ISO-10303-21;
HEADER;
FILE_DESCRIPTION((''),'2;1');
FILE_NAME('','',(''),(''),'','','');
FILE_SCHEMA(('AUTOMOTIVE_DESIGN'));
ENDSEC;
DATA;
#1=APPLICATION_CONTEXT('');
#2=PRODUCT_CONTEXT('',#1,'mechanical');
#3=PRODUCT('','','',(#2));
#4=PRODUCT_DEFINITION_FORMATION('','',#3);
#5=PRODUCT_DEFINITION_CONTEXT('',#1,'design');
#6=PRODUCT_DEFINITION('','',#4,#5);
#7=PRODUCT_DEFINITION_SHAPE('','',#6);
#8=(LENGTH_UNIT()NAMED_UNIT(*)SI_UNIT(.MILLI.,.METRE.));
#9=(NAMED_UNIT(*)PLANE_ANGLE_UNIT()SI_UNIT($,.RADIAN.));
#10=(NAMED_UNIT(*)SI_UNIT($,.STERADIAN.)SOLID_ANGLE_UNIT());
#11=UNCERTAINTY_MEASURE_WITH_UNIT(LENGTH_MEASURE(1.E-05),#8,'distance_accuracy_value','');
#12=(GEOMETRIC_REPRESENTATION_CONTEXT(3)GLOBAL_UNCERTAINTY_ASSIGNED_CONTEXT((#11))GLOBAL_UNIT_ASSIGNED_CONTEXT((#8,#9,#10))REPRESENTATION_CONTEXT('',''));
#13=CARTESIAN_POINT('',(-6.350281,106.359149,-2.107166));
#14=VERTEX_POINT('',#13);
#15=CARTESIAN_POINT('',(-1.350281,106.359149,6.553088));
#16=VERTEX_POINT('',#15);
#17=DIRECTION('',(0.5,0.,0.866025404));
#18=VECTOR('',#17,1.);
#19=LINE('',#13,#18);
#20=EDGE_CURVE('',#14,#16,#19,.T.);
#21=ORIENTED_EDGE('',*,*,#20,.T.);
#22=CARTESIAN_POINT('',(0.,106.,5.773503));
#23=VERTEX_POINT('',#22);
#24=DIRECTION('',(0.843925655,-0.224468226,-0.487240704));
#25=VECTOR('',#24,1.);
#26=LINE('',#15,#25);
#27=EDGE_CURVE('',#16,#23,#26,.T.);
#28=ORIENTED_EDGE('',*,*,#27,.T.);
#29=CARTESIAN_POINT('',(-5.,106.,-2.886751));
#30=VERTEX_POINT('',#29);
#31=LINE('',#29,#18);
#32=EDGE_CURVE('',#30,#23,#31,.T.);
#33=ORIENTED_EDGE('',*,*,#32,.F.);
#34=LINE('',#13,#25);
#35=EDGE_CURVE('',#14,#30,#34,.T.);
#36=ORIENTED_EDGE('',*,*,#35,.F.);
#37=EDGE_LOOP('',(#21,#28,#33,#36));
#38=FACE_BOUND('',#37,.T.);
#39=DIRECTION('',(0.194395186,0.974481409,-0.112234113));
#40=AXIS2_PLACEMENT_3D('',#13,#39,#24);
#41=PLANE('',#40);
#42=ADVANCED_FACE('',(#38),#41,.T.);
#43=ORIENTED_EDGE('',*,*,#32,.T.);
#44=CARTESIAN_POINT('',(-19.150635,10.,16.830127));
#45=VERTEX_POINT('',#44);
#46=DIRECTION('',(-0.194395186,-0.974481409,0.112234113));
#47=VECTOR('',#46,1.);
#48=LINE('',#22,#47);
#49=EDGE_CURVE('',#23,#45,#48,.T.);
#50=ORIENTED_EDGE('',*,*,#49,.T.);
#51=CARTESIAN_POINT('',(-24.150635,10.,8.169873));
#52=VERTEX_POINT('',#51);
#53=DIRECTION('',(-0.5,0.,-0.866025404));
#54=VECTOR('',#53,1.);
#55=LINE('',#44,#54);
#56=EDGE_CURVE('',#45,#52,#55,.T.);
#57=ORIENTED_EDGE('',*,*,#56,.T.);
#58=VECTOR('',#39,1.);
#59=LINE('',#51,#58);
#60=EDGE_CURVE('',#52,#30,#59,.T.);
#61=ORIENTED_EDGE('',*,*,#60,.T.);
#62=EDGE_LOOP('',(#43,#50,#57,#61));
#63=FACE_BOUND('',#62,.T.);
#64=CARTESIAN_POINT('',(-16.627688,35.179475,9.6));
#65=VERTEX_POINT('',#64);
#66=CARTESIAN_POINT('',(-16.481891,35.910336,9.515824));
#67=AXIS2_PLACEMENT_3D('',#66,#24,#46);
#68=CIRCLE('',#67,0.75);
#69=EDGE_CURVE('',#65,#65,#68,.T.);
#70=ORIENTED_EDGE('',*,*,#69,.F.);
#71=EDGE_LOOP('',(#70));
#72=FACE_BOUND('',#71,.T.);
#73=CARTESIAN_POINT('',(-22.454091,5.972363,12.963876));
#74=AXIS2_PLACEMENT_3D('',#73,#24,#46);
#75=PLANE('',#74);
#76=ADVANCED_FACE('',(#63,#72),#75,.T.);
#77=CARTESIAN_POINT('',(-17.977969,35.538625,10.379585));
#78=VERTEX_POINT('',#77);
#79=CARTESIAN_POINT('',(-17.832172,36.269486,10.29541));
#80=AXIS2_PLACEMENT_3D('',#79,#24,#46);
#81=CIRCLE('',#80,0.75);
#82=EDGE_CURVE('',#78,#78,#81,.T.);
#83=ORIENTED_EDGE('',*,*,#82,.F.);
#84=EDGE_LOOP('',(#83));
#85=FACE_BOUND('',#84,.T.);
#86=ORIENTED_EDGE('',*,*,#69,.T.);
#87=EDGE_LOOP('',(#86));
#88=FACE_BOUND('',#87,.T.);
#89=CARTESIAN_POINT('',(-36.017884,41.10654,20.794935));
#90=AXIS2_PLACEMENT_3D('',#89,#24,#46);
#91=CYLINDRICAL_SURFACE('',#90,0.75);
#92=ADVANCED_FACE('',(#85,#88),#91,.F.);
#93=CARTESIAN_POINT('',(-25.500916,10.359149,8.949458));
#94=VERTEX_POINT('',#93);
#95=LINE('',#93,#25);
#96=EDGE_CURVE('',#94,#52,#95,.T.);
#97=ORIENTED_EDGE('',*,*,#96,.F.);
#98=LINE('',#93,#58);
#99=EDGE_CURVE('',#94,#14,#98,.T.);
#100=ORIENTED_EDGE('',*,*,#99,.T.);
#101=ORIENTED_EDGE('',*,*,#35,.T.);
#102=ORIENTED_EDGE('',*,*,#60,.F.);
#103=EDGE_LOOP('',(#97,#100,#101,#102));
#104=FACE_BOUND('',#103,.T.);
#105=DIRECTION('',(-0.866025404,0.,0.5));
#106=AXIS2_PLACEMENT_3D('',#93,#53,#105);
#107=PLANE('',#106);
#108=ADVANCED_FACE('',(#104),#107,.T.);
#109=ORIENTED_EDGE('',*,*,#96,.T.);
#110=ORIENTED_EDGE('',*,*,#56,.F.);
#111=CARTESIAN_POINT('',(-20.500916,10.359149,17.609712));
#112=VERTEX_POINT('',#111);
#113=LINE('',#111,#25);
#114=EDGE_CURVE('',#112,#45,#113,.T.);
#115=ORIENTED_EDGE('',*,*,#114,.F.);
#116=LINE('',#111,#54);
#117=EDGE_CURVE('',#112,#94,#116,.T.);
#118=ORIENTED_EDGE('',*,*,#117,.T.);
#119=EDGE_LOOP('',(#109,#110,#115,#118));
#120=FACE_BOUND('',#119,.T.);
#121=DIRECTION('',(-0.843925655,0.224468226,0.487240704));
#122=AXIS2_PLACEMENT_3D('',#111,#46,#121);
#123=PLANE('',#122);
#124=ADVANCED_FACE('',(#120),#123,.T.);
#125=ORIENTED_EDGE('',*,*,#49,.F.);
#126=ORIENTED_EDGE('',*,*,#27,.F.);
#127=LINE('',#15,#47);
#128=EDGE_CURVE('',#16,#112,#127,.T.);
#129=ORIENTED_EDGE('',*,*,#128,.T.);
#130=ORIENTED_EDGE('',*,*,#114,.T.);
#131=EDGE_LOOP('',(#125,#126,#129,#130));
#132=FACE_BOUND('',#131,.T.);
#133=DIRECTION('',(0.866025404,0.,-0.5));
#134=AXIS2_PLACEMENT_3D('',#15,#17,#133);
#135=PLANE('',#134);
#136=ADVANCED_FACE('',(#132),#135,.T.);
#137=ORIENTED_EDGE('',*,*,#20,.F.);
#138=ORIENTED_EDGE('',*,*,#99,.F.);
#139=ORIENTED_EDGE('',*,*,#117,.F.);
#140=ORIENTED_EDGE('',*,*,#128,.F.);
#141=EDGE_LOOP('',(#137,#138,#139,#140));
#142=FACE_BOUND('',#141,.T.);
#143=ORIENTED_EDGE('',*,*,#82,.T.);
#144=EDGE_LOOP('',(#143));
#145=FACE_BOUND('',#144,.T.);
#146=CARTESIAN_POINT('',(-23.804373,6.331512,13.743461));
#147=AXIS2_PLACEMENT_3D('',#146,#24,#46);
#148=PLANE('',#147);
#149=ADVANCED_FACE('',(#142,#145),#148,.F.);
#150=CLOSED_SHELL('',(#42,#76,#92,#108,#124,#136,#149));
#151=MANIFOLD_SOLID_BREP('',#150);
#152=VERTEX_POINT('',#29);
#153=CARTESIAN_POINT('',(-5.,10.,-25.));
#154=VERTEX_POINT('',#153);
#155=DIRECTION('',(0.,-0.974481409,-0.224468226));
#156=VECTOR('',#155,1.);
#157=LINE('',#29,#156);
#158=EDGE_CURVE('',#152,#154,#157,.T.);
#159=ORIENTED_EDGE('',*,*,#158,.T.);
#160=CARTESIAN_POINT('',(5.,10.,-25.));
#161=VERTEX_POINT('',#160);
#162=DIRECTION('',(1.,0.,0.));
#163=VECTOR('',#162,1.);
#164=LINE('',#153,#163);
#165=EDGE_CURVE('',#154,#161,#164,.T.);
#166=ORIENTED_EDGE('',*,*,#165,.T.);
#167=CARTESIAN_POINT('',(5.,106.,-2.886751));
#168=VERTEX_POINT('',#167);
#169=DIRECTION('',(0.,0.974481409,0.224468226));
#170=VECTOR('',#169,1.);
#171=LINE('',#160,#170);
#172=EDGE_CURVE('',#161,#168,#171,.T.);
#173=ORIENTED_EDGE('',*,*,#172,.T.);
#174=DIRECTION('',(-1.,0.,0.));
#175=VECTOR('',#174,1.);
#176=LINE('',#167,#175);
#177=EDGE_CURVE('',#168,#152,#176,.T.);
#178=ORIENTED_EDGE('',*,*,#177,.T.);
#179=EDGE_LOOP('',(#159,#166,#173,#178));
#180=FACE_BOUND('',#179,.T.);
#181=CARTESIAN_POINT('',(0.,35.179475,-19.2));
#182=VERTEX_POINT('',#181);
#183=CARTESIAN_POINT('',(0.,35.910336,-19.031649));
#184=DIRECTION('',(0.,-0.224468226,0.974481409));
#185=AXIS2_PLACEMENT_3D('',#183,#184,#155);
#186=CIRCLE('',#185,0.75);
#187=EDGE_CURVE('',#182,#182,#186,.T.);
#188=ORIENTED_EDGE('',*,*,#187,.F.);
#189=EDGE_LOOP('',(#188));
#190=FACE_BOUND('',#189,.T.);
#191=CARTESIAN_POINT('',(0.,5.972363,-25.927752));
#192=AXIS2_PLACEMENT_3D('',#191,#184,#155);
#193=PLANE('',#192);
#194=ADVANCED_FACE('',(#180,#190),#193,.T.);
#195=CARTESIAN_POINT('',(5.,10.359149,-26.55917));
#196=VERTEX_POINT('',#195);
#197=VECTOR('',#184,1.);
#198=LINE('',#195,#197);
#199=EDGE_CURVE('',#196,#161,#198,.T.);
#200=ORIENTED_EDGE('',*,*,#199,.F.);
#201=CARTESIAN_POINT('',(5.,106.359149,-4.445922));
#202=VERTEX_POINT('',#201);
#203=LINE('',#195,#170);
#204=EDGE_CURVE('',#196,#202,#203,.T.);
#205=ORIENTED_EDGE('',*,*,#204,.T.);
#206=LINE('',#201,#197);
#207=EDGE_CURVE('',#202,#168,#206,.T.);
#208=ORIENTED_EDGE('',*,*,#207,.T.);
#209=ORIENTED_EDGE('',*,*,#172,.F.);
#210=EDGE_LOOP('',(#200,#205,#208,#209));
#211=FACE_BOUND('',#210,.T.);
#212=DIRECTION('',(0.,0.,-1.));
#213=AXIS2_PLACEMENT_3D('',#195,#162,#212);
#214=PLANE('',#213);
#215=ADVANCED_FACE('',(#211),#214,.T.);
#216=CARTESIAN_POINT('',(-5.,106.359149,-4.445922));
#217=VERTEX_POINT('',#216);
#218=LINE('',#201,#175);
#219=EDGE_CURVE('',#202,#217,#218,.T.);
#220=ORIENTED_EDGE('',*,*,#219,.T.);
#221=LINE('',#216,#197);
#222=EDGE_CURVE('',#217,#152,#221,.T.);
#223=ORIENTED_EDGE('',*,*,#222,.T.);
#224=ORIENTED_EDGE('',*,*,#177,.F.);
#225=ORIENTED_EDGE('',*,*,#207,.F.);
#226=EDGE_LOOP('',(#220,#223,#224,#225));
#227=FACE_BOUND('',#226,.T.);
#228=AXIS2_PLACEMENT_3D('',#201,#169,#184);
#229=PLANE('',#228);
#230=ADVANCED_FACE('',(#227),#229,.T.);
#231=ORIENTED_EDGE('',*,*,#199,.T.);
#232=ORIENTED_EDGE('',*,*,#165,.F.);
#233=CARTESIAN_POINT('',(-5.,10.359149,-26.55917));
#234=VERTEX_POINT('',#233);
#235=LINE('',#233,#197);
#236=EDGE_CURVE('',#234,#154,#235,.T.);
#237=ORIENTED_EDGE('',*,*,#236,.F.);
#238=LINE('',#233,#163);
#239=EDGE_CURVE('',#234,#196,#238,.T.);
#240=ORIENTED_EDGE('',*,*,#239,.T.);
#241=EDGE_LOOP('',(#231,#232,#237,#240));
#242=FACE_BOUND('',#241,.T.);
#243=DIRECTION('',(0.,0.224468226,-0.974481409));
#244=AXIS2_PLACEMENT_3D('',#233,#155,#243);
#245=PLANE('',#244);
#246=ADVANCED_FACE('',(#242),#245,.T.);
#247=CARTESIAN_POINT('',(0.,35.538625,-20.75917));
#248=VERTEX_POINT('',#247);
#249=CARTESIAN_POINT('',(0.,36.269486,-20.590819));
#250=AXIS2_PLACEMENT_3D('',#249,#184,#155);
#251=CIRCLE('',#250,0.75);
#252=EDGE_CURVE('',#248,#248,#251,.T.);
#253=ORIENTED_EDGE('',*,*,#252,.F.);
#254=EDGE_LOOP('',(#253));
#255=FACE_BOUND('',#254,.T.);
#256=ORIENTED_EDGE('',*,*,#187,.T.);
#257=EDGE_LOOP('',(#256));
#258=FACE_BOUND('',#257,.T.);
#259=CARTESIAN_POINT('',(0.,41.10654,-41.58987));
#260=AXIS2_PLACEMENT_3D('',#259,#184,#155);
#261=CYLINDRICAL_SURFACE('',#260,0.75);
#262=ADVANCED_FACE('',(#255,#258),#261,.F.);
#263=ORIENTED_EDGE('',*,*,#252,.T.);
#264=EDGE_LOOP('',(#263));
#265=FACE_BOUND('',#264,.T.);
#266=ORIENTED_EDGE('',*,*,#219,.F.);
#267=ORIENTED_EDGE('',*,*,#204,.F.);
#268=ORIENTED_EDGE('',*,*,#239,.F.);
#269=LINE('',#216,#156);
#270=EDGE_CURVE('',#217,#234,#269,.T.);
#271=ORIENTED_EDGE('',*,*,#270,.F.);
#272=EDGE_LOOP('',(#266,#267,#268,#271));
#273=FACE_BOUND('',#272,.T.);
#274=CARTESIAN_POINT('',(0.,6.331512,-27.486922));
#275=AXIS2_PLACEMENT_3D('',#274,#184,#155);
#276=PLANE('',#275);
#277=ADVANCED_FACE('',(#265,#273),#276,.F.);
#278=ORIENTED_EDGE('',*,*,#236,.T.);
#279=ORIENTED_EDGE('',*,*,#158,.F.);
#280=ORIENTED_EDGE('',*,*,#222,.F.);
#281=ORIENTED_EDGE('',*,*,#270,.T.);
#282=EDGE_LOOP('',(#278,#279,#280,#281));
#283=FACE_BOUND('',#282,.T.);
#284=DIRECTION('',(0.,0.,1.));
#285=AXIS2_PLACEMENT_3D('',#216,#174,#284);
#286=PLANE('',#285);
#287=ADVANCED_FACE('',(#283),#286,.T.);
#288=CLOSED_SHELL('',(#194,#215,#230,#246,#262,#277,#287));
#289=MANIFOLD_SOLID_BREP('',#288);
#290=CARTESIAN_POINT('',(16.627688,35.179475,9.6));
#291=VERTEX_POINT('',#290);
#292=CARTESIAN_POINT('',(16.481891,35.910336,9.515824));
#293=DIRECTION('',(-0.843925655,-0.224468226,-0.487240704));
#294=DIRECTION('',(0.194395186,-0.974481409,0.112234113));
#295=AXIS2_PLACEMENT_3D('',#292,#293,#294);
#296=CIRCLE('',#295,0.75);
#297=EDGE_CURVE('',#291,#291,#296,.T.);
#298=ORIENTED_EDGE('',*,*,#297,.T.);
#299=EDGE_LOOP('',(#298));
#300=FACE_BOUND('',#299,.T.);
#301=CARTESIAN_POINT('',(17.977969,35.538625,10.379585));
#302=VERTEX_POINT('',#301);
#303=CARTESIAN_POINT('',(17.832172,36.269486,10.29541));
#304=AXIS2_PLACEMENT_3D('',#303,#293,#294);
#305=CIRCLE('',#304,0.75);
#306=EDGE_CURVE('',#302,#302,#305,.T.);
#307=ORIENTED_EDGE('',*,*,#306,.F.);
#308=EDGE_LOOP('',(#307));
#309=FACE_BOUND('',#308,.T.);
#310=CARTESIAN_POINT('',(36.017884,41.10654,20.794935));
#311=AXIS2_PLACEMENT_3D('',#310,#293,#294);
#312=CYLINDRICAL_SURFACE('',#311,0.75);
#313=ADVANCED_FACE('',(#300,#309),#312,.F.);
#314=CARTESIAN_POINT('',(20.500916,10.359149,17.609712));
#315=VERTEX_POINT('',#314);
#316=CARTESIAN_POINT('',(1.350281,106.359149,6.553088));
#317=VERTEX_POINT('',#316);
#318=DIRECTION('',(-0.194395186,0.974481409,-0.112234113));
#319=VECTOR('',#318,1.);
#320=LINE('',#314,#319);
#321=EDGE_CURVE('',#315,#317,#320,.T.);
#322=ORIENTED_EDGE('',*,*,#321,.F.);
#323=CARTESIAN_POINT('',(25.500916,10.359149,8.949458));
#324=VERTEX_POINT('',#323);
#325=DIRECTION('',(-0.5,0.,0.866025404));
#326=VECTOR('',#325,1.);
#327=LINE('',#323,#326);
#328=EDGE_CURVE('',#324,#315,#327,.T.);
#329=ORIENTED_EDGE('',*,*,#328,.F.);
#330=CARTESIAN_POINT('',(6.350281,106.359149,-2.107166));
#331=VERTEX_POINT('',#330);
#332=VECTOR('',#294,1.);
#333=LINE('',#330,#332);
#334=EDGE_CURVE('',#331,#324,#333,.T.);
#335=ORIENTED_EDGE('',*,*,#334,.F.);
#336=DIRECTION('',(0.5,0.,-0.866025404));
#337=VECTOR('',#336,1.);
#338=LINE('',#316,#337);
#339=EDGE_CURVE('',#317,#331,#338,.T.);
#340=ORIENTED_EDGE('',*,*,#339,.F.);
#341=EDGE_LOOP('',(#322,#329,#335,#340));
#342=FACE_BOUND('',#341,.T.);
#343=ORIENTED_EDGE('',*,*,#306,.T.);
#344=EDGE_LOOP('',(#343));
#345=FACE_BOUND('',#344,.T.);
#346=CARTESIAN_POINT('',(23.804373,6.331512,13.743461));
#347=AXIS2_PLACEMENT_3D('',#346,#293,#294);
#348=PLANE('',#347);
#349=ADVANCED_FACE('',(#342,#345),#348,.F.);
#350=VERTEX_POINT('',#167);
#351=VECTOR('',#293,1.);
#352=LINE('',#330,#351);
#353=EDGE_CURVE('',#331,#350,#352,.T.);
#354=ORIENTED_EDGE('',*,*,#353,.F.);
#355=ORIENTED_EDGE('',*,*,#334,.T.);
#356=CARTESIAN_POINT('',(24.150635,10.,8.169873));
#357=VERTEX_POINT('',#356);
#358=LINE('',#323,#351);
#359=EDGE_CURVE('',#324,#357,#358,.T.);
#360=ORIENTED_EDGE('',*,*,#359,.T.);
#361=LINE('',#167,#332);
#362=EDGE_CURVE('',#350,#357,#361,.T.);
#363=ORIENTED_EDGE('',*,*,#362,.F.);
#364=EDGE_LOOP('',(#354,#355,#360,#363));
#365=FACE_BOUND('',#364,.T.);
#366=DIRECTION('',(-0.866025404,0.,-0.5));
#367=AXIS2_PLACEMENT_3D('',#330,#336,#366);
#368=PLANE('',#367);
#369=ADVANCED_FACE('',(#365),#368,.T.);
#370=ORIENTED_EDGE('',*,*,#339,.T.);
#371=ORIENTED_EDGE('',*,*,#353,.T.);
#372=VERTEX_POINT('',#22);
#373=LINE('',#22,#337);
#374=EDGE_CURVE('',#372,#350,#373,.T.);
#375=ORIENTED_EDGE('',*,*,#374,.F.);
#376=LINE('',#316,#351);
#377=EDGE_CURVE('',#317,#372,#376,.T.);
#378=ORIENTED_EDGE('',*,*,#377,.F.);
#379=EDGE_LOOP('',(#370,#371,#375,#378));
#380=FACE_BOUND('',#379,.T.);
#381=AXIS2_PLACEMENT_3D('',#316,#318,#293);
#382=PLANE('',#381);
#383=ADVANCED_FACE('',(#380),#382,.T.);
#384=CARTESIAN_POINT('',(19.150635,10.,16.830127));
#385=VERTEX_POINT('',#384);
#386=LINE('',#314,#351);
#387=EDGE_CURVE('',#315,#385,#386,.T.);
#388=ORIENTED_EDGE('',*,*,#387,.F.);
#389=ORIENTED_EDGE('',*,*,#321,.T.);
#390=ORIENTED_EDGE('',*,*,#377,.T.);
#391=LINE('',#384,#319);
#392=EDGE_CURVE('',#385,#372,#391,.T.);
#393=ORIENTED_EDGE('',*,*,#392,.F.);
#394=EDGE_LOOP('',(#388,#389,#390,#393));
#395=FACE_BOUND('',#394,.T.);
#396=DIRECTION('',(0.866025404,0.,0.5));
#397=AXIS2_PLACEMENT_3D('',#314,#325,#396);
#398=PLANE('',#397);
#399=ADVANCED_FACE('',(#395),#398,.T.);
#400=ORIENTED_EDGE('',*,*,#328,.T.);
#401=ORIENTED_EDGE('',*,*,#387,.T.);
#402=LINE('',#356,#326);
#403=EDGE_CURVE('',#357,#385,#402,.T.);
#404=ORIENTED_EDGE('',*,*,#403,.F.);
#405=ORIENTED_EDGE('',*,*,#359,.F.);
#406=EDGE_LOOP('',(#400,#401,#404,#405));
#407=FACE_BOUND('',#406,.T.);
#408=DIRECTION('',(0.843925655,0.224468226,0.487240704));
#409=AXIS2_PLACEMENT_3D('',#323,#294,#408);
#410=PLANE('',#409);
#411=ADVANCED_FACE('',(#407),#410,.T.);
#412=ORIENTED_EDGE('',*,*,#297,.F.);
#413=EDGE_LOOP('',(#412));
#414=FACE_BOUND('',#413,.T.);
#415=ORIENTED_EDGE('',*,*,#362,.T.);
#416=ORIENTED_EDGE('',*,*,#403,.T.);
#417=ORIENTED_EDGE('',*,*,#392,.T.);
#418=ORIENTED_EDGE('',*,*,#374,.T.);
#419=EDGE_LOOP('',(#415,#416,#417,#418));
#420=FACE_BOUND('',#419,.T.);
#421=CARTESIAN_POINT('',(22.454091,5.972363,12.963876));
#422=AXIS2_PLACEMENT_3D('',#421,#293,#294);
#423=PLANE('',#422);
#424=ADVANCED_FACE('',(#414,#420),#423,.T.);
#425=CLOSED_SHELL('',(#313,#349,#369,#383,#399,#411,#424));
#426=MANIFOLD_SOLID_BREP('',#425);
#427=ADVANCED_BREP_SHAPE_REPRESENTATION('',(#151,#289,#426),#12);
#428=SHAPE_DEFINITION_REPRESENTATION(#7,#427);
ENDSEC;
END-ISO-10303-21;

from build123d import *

# Parameters (mm, degrees)
SKETCH_4_W               = 10
SKETCH_4_H               = 98.513936913
EXTRUDE_1_DEPTH          = 1.6
SKETCH_5_R               = 0.75
CUT_EXTRUDE_1_DEPTH      = 104.118352348
PATTERN_CIRCULAR_3_COUNT = 3


with BuildPart() as part:
    # 草图4 → 凸台-拉伸1 (new body)
    with BuildSketch(Plane(origin=(0, 5.97236267, -25.927751518), x_dir=(1, 0, 0), z_dir=(0, -0.22446822598970886, 0.9744814085045609))):
        with Locations((0, 53.390076892)):
            Rectangle(SKETCH_4_W, SKETCH_4_H)
    extrude(amount=-EXTRUDE_1_DEPTH)

    # 草图5 → 切除-拉伸1 (cut, through all)
    with BuildSketch(Plane(origin=(0, 5.97236267, -25.927751518), x_dir=(1, 0, 0), z_dir=(0, -0.22446822598970892, 0.9744814085045609))):
        with Locations((0, 30.721954777)):
            Circle(SKETCH_5_R)
    extrude(amount=-CUT_EXTRUDE_1_DEPTH, mode=Mode.SUBTRACT)


with BuildPart() as pattern_circular_3_1:
    # 阵列(圆周)3: pattern copy
    add(part.part.rotate(Axis((0, 108.058043324, 0), (0, -1, 0)), 1 * 360 / PATTERN_CIRCULAR_3_COUNT))


with BuildPart() as pattern_circular_3_2:
    # 阵列(圆周)3: pattern copy
    add(part.part.rotate(Axis((0, 108.058043324, 0), (0, -1, 0)), 2 * 360 / PATTERN_CIRCULAR_3_COUNT))


solid = Compound([part.part, pattern_circular_3_1.part, pattern_circular_3_2.part])
